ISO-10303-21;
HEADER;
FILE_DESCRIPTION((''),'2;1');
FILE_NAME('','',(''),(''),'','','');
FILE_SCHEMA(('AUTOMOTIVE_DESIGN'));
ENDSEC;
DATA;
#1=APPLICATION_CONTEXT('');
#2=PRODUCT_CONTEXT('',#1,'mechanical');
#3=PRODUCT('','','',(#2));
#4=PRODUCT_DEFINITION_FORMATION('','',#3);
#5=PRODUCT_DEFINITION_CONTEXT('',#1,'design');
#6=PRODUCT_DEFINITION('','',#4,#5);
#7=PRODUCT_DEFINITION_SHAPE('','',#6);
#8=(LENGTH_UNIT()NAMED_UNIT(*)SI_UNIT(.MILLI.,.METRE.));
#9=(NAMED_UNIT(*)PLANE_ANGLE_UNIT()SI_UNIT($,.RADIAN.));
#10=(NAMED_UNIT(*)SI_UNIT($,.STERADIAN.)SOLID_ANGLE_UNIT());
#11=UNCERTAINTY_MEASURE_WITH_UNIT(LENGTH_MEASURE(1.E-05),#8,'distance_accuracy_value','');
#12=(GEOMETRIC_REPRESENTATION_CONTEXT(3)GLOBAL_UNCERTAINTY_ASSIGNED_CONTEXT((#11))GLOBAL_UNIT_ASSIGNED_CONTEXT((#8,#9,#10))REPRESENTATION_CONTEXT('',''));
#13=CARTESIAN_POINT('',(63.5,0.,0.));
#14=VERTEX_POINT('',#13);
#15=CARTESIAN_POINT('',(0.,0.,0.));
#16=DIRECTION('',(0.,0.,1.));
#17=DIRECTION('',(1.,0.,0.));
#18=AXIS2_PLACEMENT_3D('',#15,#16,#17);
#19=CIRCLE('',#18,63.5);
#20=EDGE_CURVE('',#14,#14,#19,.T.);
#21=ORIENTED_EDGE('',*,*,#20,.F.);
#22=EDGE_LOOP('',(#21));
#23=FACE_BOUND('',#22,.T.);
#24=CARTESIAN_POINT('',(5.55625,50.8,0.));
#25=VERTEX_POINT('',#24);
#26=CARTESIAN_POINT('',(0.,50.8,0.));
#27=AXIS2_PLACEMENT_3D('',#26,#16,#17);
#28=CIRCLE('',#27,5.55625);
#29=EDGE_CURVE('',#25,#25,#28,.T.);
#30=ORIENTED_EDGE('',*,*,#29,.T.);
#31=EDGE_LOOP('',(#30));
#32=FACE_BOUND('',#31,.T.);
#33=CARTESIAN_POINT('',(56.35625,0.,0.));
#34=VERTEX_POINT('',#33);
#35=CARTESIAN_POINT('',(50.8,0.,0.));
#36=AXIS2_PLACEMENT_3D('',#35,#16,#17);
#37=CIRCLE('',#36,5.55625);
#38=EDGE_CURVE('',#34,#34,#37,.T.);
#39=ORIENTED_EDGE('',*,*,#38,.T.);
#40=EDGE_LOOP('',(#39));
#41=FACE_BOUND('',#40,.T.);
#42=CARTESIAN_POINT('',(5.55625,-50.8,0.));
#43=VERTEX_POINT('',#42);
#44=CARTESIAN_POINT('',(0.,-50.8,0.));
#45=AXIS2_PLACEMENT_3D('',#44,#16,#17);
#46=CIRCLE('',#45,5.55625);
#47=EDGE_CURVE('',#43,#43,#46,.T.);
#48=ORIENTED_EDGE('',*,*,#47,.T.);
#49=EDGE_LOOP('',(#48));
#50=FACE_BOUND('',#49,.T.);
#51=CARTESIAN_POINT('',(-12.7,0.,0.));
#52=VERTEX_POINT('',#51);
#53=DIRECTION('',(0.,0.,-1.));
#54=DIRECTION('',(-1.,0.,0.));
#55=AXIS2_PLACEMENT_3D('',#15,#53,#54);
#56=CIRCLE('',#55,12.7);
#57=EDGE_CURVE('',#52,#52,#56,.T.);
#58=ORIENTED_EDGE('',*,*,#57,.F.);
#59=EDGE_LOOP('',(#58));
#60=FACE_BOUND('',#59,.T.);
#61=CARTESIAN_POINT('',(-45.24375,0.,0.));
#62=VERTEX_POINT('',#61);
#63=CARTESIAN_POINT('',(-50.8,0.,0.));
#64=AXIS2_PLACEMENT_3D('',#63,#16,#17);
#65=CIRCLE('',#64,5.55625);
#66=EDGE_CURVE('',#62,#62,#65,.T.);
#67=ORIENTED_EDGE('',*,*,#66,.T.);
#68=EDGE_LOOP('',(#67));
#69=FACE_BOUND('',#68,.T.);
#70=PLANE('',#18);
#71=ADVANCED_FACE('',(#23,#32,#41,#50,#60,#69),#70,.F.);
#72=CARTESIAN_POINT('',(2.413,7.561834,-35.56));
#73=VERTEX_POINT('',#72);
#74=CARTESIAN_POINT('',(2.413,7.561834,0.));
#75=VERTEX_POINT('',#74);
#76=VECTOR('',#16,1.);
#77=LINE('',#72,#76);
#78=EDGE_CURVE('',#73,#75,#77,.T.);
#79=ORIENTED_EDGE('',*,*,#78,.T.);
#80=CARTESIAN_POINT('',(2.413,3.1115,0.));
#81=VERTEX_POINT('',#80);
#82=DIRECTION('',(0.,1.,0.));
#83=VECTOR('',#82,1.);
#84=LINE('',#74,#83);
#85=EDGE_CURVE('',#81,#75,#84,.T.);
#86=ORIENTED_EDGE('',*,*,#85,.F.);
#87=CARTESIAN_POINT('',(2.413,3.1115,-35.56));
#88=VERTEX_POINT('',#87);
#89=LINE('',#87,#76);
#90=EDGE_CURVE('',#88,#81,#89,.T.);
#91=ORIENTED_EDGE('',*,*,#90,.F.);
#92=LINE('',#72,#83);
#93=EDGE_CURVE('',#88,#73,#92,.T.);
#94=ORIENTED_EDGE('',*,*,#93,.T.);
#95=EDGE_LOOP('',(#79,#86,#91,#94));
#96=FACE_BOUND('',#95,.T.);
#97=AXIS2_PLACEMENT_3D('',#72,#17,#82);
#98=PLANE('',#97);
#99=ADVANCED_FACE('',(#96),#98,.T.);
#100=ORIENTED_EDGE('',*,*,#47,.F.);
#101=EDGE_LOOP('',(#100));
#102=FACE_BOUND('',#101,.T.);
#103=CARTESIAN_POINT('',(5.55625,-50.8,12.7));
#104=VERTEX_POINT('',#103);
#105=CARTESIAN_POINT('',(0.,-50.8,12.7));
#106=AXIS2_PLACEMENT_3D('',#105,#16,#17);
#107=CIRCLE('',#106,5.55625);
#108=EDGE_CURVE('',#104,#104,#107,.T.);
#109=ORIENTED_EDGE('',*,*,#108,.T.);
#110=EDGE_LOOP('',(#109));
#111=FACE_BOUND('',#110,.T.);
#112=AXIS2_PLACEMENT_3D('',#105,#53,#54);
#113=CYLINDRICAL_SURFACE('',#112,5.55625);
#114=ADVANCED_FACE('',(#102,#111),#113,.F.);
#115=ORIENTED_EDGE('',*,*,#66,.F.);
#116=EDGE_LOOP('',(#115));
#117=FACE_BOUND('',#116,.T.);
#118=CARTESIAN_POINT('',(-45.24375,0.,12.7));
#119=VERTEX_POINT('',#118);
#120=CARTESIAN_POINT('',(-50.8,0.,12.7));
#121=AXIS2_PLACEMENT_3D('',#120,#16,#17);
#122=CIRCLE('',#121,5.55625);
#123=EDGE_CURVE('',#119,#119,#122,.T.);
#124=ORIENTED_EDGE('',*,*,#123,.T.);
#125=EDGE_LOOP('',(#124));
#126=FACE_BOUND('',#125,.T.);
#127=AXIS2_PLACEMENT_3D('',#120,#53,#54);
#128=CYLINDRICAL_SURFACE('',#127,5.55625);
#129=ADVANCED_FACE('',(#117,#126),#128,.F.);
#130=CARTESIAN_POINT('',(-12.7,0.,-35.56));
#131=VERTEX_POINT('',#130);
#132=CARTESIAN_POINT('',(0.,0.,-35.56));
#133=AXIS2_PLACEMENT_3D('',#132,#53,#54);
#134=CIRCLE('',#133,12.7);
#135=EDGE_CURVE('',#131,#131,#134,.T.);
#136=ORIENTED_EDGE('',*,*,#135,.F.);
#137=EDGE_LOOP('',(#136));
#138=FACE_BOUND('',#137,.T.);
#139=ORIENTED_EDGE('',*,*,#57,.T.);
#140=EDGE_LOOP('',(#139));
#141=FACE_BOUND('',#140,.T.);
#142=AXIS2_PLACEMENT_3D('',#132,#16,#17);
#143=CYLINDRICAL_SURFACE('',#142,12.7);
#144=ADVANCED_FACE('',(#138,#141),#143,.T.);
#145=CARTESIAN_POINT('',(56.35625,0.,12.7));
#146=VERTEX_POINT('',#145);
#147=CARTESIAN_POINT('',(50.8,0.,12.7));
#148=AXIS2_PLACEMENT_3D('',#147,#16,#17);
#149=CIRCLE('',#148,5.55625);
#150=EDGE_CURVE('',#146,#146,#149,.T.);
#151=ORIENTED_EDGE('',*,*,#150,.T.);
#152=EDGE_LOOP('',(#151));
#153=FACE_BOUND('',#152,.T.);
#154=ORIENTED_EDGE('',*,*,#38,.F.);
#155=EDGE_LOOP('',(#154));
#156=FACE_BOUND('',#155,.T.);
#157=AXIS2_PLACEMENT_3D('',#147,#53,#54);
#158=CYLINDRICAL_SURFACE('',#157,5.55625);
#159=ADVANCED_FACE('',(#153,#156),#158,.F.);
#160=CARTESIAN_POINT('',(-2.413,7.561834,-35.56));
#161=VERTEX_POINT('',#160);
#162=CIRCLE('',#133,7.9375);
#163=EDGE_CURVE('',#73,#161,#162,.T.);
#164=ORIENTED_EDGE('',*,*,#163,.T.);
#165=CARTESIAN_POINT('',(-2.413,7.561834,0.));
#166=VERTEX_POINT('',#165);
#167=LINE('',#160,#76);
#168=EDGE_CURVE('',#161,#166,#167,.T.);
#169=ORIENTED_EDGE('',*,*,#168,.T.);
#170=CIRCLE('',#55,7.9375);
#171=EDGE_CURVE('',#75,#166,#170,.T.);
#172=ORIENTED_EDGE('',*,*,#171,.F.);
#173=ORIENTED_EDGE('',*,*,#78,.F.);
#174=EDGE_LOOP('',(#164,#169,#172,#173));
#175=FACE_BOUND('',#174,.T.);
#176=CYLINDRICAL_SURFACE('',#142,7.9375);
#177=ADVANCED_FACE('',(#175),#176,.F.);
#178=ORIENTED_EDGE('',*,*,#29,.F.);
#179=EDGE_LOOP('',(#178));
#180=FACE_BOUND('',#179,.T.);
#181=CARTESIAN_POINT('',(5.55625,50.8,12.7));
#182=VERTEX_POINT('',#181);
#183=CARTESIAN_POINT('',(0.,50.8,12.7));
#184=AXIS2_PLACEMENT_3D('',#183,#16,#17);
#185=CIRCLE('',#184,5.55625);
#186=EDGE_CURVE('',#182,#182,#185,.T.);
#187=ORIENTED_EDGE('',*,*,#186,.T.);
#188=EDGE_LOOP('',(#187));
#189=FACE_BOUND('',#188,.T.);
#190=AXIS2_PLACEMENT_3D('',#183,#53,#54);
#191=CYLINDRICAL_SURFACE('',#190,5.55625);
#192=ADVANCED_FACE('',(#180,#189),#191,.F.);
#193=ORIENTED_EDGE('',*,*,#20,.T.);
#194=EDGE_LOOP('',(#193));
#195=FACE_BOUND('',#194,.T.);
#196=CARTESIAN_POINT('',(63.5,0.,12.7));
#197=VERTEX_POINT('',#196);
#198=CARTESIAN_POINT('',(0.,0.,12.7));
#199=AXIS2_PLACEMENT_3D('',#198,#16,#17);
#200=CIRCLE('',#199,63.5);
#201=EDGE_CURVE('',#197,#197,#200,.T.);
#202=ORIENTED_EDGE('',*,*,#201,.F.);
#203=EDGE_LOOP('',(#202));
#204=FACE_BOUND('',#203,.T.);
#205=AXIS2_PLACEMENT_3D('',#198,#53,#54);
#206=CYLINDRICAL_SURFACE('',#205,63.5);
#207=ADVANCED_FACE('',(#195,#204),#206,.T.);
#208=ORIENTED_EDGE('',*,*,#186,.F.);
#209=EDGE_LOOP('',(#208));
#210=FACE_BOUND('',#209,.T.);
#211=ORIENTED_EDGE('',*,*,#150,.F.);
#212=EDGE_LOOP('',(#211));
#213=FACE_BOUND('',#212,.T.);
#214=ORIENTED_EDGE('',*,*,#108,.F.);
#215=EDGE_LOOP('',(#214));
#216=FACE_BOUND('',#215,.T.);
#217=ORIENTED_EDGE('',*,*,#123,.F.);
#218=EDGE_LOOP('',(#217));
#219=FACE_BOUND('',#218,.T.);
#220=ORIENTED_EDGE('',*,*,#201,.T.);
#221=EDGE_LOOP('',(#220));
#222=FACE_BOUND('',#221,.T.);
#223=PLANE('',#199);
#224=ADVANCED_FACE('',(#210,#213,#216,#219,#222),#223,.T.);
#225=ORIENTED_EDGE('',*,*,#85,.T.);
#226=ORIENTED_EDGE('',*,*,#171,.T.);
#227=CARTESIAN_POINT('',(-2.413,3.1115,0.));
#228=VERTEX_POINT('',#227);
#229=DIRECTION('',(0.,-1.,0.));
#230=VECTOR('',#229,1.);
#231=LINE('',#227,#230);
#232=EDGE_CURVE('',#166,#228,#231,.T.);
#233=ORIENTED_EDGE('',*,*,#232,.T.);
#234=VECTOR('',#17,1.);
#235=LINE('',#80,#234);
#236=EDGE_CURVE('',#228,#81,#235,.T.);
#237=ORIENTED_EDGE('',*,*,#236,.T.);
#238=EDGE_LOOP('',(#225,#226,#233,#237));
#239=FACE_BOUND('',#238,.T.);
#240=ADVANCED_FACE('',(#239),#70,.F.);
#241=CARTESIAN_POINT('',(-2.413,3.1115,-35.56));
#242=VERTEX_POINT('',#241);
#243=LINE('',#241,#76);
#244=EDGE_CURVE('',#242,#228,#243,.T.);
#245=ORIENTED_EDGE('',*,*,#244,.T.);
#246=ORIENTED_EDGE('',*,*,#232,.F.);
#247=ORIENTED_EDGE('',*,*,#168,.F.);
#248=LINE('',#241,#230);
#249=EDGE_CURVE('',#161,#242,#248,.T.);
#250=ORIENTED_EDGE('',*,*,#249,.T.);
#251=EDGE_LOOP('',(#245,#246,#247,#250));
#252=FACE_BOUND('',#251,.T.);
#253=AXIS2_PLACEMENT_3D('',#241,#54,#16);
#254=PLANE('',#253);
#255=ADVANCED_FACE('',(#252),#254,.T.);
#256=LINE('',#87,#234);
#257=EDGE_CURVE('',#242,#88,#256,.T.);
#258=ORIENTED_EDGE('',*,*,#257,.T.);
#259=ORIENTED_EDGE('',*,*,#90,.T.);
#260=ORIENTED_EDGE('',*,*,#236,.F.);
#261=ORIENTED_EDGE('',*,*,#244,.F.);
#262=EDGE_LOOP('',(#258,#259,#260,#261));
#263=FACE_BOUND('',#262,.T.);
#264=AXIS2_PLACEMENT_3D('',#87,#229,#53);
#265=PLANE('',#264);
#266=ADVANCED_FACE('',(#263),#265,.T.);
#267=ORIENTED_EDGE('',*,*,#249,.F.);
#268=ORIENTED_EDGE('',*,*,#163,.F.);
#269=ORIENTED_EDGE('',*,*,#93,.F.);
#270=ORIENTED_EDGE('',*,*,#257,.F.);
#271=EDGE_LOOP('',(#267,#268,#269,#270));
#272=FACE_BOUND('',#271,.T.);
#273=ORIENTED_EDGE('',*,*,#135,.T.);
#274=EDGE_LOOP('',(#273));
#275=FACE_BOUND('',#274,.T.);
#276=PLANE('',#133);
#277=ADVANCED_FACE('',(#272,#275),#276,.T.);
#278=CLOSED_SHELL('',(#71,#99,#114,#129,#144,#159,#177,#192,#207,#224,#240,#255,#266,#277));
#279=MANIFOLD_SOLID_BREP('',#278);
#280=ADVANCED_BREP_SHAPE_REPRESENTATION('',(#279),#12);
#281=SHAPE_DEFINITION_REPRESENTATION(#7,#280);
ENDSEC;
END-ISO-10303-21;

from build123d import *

# Parameters (mm, degrees)
SKETCH1_R           = 63.5
SKETCH1_R_2         = 5.55625
BOSS_EXTRUDE1_DEPTH = 12.7
SKETCH2_R           = 12.7
BOSS_EXTRUDE2_DEPTH = 35.56


with BuildPart() as part:
    # Sketch1 → Boss-Extrude1 (new body)
    with BuildSketch(Plane.XY):
        Circle(SKETCH1_R)
        with Locations((-50.8, 0)):
            Circle(SKETCH1_R_2, mode=Mode.SUBTRACT)
        with Locations((0, 50.8)):
            Circle(SKETCH1_R_2, mode=Mode.SUBTRACT)
        with Locations((50.8, 0)):
            Circle(SKETCH1_R_2, mode=Mode.SUBTRACT)
        with Locations((0, -50.8)):
            Circle(SKETCH1_R_2, mode=Mode.SUBTRACT)
    extrude(amount=BOSS_EXTRUDE1_DEPTH)

    # Sketch2 → Boss-Extrude2 (add)
    with BuildSketch(Plane(origin=(0, 0, 0), x_dir=(-1, 0, 0), z_dir=(0, 0, -1))):
        Circle(SKETCH2_R)
        with BuildLine():
            Line((-2.413, 7.561834252), (-2.413, 3.1115))
            Line((-2.413, 3.1115), (2.413, 3.1115))
            Line((2.413, 3.1115), (2.413, 7.561834252))
            ThreePointArc((2.413, 7.561834252), (0, -7.9375), (-2.413, 7.561834252))
        make_face(mode=Mode.SUBTRACT)
    extrude(amount=BOSS_EXTRUDE2_DEPTH)


solid = part.part
